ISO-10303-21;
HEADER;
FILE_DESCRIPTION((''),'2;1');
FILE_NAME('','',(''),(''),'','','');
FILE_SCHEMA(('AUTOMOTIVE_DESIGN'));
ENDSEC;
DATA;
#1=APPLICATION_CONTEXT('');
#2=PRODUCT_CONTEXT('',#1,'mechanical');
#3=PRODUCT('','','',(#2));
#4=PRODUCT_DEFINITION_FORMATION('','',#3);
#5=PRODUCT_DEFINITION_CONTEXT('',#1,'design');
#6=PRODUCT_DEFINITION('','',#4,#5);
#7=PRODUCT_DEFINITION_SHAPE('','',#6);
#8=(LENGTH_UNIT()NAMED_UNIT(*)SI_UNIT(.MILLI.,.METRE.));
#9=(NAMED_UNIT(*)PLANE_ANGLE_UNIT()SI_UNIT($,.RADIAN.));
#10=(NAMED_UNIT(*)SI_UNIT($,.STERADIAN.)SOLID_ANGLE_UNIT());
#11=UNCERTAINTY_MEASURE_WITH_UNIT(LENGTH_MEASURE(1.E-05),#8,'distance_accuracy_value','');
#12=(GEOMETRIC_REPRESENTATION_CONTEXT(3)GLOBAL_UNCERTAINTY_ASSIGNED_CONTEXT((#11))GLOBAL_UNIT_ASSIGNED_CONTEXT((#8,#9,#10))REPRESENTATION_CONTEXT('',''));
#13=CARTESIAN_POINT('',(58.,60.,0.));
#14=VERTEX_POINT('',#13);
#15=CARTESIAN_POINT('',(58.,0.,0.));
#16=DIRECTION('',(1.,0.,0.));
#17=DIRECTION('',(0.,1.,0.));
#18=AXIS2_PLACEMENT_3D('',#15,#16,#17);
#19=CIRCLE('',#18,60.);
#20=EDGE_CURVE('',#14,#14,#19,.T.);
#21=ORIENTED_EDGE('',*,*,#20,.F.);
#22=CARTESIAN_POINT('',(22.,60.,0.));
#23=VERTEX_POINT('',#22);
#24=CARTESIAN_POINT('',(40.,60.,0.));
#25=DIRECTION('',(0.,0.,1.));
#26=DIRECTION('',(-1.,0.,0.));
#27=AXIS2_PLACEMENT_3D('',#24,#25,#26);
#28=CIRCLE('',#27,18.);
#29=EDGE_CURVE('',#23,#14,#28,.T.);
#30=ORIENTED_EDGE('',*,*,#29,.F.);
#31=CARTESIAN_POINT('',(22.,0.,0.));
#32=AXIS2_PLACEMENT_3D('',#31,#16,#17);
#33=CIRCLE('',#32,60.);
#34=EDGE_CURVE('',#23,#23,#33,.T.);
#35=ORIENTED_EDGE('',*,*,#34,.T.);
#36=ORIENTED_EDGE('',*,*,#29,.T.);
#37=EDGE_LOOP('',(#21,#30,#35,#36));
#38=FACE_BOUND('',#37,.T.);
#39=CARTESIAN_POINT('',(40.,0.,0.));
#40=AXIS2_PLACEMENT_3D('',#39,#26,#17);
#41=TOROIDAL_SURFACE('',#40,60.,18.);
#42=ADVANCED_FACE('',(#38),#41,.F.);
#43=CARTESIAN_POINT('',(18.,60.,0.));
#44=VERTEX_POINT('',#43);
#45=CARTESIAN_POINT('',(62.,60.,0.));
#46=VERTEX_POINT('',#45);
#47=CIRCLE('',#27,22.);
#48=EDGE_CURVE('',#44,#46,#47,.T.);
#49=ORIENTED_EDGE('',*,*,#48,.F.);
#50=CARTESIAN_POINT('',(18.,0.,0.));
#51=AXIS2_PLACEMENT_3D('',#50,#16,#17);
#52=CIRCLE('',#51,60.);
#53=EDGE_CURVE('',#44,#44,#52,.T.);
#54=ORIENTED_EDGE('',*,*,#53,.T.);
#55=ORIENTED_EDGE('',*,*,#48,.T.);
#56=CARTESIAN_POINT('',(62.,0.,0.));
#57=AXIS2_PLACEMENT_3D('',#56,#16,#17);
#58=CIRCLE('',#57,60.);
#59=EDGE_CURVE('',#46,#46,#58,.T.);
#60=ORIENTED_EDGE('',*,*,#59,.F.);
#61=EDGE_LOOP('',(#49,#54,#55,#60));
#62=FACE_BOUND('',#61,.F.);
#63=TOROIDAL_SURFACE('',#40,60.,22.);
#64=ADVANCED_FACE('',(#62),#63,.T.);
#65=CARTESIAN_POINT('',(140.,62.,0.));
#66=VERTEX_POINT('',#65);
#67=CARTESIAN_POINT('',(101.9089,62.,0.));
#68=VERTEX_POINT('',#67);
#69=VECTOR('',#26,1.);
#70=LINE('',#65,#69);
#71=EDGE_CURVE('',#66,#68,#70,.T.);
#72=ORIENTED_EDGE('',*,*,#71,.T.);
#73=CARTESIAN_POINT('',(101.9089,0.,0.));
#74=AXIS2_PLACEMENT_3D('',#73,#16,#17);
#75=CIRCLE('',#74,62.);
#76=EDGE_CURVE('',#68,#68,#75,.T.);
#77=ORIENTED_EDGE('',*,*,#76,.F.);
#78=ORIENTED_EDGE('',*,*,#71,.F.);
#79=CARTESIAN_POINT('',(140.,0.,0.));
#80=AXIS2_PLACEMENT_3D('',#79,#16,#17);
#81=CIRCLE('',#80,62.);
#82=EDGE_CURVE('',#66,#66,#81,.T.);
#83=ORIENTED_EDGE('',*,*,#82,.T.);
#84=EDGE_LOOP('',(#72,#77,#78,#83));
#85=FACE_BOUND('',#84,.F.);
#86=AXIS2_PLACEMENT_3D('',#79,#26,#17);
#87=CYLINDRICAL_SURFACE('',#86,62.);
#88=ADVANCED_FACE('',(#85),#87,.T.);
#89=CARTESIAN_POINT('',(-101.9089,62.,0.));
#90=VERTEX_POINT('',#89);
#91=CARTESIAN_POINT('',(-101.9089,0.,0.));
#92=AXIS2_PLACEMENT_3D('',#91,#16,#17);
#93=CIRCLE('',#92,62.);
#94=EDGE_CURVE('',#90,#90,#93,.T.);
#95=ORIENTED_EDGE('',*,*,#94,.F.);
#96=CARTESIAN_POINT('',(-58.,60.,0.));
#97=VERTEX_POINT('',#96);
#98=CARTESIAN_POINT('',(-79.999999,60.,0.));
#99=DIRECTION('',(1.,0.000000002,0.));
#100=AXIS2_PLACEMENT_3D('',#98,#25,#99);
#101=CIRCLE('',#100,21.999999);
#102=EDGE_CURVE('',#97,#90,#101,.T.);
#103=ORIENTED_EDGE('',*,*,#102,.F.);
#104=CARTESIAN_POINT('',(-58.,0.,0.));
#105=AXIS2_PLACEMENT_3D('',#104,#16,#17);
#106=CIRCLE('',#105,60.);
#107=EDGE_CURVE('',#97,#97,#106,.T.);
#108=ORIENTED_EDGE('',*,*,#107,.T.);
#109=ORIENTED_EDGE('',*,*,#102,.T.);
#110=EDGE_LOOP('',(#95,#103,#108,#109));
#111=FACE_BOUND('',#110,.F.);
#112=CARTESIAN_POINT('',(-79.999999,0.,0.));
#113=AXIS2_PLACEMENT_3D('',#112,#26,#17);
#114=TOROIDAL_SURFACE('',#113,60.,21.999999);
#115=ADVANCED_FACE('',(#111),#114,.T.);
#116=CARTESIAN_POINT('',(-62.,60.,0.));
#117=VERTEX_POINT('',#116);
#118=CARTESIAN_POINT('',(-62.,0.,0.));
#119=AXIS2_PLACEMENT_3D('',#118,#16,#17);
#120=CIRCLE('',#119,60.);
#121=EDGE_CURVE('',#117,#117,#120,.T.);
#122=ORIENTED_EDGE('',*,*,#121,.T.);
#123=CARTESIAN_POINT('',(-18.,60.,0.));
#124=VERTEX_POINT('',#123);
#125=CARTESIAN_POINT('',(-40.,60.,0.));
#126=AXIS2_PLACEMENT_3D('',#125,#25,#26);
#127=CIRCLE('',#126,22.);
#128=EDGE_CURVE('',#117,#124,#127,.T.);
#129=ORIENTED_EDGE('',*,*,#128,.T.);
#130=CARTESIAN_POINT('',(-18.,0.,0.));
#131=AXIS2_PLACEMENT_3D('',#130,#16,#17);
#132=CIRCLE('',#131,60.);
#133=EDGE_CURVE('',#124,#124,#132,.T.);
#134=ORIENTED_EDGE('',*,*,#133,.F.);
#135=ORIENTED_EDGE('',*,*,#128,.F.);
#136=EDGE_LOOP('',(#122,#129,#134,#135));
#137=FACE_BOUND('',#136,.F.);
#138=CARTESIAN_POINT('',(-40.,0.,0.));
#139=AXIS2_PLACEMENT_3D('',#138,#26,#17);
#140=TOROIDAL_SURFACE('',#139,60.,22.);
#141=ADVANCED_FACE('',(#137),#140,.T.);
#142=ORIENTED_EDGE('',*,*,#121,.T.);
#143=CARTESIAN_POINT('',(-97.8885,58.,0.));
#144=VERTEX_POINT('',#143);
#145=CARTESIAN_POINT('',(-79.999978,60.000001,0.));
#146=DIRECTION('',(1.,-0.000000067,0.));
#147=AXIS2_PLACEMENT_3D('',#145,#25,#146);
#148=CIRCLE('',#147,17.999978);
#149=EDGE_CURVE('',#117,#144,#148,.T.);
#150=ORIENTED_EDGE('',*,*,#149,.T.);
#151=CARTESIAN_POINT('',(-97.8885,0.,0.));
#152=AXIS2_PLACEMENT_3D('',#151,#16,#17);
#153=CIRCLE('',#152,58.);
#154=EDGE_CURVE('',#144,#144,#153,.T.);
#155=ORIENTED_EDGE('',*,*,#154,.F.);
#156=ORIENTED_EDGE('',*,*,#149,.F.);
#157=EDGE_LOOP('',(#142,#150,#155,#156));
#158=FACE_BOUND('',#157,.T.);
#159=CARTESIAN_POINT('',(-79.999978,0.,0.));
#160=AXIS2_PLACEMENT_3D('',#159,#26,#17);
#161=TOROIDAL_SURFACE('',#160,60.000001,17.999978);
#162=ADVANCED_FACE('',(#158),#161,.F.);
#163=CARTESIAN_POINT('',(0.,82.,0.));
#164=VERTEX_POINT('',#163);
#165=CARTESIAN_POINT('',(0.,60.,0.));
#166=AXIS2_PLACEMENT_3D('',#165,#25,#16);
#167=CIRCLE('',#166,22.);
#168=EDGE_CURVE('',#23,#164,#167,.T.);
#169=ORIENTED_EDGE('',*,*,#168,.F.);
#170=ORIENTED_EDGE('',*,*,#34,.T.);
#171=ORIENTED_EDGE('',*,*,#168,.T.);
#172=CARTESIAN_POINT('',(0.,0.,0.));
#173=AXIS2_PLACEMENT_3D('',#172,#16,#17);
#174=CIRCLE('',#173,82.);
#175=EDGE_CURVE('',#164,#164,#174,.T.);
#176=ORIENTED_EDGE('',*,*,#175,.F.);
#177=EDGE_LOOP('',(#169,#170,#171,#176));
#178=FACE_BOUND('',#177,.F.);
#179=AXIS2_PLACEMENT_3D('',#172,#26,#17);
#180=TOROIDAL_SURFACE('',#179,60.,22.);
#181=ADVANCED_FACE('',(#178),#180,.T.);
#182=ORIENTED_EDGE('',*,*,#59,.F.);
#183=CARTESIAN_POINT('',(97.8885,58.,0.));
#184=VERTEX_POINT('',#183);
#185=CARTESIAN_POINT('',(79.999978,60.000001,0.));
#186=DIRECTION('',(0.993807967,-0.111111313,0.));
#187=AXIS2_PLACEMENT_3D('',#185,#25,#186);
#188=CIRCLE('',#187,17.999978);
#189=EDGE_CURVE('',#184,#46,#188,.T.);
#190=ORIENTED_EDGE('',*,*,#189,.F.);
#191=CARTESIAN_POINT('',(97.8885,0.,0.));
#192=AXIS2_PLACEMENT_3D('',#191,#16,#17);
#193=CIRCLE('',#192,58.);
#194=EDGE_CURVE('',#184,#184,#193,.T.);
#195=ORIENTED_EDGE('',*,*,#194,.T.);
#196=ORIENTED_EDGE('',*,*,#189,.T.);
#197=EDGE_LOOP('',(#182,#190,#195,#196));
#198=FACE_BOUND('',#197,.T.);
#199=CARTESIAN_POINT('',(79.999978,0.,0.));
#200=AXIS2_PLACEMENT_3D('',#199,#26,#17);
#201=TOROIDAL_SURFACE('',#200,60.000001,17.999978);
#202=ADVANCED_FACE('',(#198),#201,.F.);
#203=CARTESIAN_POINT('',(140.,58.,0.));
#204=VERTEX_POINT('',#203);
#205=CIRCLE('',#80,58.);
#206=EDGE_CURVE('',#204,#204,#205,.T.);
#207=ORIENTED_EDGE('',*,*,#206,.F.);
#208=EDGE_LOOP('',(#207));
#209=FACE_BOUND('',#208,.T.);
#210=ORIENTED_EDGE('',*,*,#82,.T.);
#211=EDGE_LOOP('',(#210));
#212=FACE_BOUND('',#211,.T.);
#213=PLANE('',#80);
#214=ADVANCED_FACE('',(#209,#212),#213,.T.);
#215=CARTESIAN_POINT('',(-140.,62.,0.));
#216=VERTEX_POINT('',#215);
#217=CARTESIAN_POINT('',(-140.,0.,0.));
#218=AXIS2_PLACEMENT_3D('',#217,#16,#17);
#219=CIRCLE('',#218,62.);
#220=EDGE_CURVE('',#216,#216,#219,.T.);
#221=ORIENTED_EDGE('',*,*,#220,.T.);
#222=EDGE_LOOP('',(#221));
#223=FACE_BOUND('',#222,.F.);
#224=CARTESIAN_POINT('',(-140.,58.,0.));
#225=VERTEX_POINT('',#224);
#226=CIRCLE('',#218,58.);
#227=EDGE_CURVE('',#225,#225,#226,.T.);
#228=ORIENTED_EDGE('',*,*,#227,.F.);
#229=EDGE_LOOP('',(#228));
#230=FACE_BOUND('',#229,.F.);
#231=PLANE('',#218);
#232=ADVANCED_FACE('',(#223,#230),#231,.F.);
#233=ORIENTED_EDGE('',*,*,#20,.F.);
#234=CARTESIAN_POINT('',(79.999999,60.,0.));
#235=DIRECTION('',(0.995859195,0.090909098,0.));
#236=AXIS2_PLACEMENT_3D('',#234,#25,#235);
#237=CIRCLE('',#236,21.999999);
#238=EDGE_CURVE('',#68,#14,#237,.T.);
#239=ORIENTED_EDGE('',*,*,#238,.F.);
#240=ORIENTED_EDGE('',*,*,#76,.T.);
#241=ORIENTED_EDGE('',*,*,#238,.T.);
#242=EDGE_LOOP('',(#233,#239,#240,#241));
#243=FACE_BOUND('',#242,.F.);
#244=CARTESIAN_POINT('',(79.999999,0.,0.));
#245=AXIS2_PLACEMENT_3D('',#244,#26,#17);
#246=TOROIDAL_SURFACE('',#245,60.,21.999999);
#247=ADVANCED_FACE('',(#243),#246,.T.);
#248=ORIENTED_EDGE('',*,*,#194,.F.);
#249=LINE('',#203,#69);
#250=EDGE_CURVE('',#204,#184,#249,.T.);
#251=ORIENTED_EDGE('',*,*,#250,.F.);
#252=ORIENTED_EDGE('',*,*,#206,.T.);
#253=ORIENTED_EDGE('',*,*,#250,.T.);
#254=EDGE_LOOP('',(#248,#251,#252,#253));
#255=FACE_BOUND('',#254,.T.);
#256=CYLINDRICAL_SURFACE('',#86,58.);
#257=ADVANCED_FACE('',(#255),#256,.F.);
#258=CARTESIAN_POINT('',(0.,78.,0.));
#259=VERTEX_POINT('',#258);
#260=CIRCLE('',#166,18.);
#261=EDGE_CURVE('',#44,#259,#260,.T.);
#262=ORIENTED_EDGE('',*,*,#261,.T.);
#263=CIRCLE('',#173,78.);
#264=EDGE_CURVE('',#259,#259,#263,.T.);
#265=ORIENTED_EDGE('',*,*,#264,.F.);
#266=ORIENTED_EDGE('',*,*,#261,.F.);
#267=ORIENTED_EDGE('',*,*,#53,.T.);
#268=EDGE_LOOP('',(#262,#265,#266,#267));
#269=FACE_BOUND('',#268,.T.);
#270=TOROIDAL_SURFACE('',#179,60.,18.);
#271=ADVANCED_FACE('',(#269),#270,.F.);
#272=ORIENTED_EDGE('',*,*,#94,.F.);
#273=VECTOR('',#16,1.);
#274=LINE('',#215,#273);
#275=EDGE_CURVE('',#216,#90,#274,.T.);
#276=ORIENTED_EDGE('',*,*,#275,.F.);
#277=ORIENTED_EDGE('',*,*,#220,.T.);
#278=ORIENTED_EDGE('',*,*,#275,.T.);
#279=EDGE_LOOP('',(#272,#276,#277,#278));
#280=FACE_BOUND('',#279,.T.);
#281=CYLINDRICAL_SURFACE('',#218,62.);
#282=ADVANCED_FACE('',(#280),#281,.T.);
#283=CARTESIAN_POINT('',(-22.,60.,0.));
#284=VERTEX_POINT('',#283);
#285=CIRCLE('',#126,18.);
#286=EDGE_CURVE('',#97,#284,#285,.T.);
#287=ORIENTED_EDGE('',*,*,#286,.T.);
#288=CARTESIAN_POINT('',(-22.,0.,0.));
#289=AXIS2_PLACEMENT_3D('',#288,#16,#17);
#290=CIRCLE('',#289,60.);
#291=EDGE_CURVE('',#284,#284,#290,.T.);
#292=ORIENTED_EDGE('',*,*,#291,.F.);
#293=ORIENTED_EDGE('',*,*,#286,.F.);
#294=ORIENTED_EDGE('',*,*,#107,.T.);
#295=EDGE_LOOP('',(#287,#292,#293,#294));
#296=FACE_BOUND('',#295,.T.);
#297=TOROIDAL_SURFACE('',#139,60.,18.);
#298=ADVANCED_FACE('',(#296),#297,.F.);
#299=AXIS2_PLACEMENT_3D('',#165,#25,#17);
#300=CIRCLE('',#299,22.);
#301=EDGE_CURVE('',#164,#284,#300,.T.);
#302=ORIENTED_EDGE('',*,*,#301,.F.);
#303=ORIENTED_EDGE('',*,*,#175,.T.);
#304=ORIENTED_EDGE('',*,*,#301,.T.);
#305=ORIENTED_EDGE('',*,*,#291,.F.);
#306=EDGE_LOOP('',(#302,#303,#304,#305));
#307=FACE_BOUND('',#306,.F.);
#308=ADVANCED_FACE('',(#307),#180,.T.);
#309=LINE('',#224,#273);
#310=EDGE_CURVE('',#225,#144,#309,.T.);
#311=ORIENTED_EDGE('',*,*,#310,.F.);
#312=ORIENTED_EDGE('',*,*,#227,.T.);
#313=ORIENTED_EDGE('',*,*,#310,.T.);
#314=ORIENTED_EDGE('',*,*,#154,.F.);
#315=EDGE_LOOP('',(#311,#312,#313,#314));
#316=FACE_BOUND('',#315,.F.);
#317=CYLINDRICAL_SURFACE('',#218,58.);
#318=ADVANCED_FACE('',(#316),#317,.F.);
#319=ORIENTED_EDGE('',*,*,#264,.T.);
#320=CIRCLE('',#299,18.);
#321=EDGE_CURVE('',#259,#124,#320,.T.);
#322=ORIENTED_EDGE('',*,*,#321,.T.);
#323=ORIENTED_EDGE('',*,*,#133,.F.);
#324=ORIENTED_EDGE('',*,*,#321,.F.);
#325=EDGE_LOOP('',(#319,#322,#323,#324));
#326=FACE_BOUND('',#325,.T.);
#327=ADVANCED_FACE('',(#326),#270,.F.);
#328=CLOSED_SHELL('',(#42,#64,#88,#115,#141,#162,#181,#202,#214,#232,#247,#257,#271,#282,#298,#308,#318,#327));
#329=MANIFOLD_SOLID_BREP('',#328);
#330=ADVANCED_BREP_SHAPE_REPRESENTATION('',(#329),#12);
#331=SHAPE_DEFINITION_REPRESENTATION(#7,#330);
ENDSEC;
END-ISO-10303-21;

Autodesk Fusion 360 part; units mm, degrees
sketch "Sketch1" plane through (0, 0, 0) normal (0, 0, 1) x (1, 0, 0)
  line L0 (0, 0) -> (0, 80) construction
  line L1 (0, 0) -> (10, 0) construction
  line L2 (10, 0) -> (80, 0) construction
  line L3 (140, 60) -> (100, 60) construction
  arc A0 (100, 60) -> (60, 60) centre (80, 60) ccw construction
  arc A1 (20, 60) -> (60, 60) centre (40, 60) ccw construction
  arc A2 (20, 60) -> (0, 80) centre (0, 60) ccw construction
  line L4 (140, 60) -> (0, 60) construction
  line L5 (140, 62) -> (101.9089, 62)
  arc A3 (101.9089, 62) -> (58, 60) centre (80, 60) ccw
  arc A4 (22, 60) -> (58, 60) centre (40, 60) ccw
  arc A5 (22, 60) -> (0, 82) centre (0, 60) ccw
  line L6 (140, 58) -> (97.8885, 58)
  arc A6 (97.8885, 58) -> (62, 60) centre (80, 60) ccw
  arc A7 (18, 60) -> (62, 60) centre (40, 60) ccw
  arc A8 (18, 60) -> (0, 78) centre (0, 60) ccw
  line L7 (140, 62) -> (140, 58)
  line L8 (-140, 58) -> (-97.8885, 58)
  line L9 (-140, 62) -> (-140, 58)
  line L10 (-140, 62) -> (-101.9089, 62)
  arc A9 (-58, 60) -> (-101.9089, 62) centre (-80, 60) ccw
  arc A10 (-62, 60) -> (-97.8885, 58) centre (-80, 60) ccw
  arc A11 (-62, 60) -> (-18, 60) centre (-40, 60) ccw
  arc A12 (-58, 60) -> (-22, 60) centre (-40, 60) ccw
  arc A13 (0, 82) -> (-22, 60) centre (0, 60) ccw
  arc A14 (0, 78) -> (-18, 60) centre (0, 60) ccw
  dimension "Shell_Thickness_1" = 2
  dimension "Shell_Thickness_2" = -2
  dimension "Toroid_Minor_Radius" = 20
  dimension "Toroid_Major_Radius" = 60
  dimension "Extension_Length" = 40
revolve "Revolve1" add sketch "Sketch1" angle 360 about axis through (10, 0, 0) along (1, 0, 0)
